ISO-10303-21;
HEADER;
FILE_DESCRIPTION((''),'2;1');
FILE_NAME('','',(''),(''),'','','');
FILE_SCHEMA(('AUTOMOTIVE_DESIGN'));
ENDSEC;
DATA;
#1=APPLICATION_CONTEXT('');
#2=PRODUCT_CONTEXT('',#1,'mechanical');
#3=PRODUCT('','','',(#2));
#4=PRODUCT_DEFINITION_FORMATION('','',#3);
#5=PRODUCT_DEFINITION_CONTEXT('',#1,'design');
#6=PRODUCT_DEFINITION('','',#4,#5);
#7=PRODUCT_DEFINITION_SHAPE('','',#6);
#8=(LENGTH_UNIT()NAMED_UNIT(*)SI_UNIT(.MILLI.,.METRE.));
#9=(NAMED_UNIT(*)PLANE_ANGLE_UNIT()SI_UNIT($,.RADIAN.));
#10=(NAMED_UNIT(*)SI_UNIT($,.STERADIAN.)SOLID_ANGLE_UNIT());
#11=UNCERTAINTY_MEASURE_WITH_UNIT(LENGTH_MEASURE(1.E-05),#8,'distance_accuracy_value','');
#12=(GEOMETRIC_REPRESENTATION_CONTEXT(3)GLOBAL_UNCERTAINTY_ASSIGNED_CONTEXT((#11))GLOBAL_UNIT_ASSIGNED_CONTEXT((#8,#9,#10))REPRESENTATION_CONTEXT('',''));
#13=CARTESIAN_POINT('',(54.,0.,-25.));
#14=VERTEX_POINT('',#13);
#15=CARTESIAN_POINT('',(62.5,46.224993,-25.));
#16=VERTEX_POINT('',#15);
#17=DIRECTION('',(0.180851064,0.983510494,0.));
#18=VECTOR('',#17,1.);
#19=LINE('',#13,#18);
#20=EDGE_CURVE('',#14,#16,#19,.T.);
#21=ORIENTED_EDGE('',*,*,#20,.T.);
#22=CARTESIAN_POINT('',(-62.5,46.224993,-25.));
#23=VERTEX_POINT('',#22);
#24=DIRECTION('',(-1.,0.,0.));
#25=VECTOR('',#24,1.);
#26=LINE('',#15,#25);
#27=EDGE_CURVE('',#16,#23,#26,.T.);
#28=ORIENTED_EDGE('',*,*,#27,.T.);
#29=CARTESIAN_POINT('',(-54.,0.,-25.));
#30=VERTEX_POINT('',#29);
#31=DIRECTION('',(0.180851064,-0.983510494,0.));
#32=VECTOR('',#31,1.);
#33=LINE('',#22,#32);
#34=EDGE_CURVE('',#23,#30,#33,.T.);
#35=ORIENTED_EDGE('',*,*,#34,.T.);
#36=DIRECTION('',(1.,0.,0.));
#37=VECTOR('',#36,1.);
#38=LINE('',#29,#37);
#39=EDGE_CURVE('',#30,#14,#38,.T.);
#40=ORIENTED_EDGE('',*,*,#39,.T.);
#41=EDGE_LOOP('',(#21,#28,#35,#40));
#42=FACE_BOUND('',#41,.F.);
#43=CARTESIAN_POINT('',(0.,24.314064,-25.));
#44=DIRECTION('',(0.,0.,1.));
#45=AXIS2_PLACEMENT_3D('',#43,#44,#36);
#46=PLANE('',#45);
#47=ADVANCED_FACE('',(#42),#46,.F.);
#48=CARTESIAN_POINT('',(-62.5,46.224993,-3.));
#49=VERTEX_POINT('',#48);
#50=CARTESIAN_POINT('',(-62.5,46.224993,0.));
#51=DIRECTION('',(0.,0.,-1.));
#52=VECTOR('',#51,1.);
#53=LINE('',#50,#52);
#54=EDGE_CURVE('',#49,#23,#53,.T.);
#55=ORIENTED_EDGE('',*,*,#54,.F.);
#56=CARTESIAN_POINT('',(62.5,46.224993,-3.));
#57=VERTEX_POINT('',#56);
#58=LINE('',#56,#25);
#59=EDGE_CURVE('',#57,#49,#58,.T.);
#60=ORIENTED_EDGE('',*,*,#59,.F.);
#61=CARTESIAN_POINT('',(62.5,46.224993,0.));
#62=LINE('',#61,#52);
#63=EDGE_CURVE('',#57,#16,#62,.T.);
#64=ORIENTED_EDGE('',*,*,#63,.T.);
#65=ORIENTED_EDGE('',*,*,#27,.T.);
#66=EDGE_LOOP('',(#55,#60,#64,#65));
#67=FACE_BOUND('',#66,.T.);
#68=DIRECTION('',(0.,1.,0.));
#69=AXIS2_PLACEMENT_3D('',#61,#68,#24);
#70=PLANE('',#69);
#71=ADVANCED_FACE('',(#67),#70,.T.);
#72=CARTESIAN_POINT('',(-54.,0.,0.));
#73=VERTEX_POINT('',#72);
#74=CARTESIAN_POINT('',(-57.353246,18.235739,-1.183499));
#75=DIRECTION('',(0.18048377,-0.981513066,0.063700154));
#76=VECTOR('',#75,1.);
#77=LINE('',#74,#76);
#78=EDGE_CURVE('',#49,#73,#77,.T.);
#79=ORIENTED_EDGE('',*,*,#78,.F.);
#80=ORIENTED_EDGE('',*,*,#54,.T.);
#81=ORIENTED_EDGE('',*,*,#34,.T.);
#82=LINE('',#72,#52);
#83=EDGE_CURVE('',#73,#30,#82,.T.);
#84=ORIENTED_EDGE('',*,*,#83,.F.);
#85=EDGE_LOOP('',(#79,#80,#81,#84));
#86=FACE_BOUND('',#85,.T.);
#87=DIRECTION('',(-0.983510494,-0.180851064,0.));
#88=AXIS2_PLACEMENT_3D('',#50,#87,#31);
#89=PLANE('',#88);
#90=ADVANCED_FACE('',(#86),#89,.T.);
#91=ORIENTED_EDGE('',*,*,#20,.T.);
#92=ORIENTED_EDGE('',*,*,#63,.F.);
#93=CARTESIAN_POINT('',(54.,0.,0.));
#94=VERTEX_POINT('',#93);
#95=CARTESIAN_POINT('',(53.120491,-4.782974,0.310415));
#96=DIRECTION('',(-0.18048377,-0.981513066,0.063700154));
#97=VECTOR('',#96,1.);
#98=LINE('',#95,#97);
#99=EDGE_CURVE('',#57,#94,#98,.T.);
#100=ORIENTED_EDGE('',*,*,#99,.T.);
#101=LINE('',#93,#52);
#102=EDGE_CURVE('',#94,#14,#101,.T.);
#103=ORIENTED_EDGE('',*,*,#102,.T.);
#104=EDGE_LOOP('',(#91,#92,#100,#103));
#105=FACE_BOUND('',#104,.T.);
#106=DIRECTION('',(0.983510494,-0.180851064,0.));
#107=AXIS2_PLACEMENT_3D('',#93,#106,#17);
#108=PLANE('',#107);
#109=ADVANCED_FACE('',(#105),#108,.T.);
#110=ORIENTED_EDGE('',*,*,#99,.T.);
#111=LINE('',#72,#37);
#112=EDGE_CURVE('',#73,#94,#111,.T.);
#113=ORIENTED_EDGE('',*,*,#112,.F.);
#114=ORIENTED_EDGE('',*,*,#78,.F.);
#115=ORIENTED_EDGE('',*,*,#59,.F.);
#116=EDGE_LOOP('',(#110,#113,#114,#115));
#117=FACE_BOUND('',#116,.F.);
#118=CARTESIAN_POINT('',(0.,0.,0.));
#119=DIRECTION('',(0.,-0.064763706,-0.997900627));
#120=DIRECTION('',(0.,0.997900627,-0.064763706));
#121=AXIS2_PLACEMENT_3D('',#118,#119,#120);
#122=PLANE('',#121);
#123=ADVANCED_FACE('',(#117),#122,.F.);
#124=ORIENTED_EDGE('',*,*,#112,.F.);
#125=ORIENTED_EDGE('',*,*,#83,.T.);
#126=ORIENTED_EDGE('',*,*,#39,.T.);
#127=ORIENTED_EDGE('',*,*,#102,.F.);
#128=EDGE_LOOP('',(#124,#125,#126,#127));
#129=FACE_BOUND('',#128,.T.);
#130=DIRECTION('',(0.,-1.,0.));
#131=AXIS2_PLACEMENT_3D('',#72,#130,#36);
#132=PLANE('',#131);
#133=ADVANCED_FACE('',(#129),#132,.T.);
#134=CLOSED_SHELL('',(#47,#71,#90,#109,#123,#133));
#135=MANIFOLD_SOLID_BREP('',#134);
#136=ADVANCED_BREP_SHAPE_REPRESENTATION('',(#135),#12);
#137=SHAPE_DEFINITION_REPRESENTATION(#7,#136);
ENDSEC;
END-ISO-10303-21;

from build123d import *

# Parameters (mm, degrees)
F1_DEPTH      = 25
F3_DEPTH      = 62.501
F3_DEPTH_BACK = 62.501


with BuildPart() as f1:
    # F0 (on Top) → F1 (new body)
    with BuildSketch(Plane.XY):
        Polygon((-62.5, 46.2249932396), (-54, 0), (54, 0), (62.5, 46.2249932396), align=None)
    extrude(amount=-F1_DEPTH)

    # F2 (on Right) → F3 (cut, two sides)
    with BuildSketch(Plane.YZ) as f3_sk:
        Polygon((0, 0), (46.2249932396, -3), (46.2249932396, 0), align=None)
    extrude(amount=-F3_DEPTH, mode=Mode.SUBTRACT)
    extrude(f3_sk.sketch, amount=F3_DEPTH_BACK, mode=Mode.SUBTRACT)


solid = f1.part
